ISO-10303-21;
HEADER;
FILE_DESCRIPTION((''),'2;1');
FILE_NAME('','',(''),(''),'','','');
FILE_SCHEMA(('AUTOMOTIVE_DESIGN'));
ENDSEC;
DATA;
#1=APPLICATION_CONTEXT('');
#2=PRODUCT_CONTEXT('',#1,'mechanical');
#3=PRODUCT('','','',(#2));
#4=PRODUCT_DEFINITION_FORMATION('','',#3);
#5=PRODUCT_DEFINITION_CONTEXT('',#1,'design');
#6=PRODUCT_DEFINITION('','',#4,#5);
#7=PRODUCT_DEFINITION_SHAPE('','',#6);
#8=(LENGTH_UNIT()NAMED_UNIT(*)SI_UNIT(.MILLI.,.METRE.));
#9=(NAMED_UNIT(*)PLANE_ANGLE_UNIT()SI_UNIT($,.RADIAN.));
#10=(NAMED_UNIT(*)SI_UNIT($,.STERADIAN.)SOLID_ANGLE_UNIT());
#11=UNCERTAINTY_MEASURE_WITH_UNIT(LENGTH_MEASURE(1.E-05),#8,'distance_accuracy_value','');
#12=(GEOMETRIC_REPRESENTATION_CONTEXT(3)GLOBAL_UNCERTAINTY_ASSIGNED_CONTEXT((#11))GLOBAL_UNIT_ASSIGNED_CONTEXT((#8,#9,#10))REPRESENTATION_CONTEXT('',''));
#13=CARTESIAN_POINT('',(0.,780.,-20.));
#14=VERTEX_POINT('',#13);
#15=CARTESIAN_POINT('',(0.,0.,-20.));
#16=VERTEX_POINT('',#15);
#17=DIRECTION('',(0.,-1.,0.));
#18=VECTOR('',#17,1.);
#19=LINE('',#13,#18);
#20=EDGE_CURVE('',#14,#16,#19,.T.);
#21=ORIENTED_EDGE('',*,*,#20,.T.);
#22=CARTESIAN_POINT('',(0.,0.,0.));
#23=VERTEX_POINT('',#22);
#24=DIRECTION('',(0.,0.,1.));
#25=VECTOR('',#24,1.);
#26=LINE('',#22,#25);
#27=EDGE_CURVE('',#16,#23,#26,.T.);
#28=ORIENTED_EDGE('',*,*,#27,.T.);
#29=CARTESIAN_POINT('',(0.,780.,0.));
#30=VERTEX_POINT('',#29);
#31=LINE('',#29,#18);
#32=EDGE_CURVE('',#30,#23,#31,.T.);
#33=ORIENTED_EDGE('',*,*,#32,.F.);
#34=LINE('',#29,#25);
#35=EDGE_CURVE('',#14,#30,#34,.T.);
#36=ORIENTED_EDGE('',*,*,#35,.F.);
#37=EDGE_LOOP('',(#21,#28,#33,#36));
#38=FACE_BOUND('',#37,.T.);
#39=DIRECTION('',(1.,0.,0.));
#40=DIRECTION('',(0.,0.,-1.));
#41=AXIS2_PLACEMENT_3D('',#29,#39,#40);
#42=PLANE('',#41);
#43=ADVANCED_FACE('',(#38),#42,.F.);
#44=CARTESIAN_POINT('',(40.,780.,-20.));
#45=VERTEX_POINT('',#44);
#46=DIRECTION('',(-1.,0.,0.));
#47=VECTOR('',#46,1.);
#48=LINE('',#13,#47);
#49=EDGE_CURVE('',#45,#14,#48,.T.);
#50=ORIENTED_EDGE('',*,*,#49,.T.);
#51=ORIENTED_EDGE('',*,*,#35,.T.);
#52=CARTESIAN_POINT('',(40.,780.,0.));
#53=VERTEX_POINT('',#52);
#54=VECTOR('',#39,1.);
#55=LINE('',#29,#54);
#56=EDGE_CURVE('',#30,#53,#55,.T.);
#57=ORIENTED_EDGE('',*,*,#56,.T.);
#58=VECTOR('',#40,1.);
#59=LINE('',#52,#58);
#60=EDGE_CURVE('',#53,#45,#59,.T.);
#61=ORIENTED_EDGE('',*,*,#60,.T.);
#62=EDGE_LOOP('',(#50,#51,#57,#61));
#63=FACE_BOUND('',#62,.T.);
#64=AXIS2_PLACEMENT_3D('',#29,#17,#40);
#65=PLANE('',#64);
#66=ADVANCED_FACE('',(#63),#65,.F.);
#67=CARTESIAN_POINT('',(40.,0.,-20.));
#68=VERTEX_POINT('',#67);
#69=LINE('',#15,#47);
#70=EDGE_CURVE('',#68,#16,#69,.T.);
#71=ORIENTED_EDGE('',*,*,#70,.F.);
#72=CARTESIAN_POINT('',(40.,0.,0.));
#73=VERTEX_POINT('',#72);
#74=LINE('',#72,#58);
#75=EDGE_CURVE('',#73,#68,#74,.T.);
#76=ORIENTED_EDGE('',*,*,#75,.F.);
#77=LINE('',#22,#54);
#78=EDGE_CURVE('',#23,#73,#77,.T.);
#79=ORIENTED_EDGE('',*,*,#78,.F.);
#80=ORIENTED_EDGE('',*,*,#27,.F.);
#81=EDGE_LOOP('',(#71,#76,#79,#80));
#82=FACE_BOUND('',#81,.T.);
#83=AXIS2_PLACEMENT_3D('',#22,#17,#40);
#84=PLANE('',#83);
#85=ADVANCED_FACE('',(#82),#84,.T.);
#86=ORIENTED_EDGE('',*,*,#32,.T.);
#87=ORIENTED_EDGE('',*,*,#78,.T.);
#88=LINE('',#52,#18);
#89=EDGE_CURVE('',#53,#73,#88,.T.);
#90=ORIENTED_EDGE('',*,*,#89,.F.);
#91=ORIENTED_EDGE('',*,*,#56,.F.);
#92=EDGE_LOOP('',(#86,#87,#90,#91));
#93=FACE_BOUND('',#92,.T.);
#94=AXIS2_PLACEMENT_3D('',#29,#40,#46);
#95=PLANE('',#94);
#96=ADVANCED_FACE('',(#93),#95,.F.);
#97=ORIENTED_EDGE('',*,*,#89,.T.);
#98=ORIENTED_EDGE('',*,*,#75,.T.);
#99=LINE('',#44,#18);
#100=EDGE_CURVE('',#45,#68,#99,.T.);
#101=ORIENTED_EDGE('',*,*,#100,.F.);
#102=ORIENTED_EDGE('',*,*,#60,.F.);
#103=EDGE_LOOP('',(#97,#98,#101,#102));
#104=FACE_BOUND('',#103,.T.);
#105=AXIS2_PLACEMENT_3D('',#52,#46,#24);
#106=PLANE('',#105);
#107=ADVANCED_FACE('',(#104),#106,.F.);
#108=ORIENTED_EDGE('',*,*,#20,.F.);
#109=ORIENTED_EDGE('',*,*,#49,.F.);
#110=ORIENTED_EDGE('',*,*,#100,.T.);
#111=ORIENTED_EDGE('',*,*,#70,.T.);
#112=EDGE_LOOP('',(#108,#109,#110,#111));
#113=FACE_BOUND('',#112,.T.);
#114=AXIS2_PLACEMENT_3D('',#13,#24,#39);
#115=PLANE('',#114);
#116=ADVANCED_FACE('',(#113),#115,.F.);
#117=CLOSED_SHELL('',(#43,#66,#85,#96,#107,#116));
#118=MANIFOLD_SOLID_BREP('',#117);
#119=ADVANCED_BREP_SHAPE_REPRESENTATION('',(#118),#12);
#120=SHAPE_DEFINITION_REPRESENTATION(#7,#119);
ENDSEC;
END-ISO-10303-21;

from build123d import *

# Parameters (mm, degrees)
SKETCH_1_W      = 40
SKETCH_1_H      = 20
EXTRUDE_1_DEPTH = 780


with BuildPart() as part:
    # Эскиз1 → Бобышка-Вытянуть1 (new body)
    with BuildSketch(Plane(origin=(0, 0, 0), x_dir=(1, 0, 0), z_dir=(0, 1, 0))):
        with Locations((20, 10)):
            Rectangle(SKETCH_1_W, SKETCH_1_H)
    extrude(amount=EXTRUDE_1_DEPTH)


solid = part.part
